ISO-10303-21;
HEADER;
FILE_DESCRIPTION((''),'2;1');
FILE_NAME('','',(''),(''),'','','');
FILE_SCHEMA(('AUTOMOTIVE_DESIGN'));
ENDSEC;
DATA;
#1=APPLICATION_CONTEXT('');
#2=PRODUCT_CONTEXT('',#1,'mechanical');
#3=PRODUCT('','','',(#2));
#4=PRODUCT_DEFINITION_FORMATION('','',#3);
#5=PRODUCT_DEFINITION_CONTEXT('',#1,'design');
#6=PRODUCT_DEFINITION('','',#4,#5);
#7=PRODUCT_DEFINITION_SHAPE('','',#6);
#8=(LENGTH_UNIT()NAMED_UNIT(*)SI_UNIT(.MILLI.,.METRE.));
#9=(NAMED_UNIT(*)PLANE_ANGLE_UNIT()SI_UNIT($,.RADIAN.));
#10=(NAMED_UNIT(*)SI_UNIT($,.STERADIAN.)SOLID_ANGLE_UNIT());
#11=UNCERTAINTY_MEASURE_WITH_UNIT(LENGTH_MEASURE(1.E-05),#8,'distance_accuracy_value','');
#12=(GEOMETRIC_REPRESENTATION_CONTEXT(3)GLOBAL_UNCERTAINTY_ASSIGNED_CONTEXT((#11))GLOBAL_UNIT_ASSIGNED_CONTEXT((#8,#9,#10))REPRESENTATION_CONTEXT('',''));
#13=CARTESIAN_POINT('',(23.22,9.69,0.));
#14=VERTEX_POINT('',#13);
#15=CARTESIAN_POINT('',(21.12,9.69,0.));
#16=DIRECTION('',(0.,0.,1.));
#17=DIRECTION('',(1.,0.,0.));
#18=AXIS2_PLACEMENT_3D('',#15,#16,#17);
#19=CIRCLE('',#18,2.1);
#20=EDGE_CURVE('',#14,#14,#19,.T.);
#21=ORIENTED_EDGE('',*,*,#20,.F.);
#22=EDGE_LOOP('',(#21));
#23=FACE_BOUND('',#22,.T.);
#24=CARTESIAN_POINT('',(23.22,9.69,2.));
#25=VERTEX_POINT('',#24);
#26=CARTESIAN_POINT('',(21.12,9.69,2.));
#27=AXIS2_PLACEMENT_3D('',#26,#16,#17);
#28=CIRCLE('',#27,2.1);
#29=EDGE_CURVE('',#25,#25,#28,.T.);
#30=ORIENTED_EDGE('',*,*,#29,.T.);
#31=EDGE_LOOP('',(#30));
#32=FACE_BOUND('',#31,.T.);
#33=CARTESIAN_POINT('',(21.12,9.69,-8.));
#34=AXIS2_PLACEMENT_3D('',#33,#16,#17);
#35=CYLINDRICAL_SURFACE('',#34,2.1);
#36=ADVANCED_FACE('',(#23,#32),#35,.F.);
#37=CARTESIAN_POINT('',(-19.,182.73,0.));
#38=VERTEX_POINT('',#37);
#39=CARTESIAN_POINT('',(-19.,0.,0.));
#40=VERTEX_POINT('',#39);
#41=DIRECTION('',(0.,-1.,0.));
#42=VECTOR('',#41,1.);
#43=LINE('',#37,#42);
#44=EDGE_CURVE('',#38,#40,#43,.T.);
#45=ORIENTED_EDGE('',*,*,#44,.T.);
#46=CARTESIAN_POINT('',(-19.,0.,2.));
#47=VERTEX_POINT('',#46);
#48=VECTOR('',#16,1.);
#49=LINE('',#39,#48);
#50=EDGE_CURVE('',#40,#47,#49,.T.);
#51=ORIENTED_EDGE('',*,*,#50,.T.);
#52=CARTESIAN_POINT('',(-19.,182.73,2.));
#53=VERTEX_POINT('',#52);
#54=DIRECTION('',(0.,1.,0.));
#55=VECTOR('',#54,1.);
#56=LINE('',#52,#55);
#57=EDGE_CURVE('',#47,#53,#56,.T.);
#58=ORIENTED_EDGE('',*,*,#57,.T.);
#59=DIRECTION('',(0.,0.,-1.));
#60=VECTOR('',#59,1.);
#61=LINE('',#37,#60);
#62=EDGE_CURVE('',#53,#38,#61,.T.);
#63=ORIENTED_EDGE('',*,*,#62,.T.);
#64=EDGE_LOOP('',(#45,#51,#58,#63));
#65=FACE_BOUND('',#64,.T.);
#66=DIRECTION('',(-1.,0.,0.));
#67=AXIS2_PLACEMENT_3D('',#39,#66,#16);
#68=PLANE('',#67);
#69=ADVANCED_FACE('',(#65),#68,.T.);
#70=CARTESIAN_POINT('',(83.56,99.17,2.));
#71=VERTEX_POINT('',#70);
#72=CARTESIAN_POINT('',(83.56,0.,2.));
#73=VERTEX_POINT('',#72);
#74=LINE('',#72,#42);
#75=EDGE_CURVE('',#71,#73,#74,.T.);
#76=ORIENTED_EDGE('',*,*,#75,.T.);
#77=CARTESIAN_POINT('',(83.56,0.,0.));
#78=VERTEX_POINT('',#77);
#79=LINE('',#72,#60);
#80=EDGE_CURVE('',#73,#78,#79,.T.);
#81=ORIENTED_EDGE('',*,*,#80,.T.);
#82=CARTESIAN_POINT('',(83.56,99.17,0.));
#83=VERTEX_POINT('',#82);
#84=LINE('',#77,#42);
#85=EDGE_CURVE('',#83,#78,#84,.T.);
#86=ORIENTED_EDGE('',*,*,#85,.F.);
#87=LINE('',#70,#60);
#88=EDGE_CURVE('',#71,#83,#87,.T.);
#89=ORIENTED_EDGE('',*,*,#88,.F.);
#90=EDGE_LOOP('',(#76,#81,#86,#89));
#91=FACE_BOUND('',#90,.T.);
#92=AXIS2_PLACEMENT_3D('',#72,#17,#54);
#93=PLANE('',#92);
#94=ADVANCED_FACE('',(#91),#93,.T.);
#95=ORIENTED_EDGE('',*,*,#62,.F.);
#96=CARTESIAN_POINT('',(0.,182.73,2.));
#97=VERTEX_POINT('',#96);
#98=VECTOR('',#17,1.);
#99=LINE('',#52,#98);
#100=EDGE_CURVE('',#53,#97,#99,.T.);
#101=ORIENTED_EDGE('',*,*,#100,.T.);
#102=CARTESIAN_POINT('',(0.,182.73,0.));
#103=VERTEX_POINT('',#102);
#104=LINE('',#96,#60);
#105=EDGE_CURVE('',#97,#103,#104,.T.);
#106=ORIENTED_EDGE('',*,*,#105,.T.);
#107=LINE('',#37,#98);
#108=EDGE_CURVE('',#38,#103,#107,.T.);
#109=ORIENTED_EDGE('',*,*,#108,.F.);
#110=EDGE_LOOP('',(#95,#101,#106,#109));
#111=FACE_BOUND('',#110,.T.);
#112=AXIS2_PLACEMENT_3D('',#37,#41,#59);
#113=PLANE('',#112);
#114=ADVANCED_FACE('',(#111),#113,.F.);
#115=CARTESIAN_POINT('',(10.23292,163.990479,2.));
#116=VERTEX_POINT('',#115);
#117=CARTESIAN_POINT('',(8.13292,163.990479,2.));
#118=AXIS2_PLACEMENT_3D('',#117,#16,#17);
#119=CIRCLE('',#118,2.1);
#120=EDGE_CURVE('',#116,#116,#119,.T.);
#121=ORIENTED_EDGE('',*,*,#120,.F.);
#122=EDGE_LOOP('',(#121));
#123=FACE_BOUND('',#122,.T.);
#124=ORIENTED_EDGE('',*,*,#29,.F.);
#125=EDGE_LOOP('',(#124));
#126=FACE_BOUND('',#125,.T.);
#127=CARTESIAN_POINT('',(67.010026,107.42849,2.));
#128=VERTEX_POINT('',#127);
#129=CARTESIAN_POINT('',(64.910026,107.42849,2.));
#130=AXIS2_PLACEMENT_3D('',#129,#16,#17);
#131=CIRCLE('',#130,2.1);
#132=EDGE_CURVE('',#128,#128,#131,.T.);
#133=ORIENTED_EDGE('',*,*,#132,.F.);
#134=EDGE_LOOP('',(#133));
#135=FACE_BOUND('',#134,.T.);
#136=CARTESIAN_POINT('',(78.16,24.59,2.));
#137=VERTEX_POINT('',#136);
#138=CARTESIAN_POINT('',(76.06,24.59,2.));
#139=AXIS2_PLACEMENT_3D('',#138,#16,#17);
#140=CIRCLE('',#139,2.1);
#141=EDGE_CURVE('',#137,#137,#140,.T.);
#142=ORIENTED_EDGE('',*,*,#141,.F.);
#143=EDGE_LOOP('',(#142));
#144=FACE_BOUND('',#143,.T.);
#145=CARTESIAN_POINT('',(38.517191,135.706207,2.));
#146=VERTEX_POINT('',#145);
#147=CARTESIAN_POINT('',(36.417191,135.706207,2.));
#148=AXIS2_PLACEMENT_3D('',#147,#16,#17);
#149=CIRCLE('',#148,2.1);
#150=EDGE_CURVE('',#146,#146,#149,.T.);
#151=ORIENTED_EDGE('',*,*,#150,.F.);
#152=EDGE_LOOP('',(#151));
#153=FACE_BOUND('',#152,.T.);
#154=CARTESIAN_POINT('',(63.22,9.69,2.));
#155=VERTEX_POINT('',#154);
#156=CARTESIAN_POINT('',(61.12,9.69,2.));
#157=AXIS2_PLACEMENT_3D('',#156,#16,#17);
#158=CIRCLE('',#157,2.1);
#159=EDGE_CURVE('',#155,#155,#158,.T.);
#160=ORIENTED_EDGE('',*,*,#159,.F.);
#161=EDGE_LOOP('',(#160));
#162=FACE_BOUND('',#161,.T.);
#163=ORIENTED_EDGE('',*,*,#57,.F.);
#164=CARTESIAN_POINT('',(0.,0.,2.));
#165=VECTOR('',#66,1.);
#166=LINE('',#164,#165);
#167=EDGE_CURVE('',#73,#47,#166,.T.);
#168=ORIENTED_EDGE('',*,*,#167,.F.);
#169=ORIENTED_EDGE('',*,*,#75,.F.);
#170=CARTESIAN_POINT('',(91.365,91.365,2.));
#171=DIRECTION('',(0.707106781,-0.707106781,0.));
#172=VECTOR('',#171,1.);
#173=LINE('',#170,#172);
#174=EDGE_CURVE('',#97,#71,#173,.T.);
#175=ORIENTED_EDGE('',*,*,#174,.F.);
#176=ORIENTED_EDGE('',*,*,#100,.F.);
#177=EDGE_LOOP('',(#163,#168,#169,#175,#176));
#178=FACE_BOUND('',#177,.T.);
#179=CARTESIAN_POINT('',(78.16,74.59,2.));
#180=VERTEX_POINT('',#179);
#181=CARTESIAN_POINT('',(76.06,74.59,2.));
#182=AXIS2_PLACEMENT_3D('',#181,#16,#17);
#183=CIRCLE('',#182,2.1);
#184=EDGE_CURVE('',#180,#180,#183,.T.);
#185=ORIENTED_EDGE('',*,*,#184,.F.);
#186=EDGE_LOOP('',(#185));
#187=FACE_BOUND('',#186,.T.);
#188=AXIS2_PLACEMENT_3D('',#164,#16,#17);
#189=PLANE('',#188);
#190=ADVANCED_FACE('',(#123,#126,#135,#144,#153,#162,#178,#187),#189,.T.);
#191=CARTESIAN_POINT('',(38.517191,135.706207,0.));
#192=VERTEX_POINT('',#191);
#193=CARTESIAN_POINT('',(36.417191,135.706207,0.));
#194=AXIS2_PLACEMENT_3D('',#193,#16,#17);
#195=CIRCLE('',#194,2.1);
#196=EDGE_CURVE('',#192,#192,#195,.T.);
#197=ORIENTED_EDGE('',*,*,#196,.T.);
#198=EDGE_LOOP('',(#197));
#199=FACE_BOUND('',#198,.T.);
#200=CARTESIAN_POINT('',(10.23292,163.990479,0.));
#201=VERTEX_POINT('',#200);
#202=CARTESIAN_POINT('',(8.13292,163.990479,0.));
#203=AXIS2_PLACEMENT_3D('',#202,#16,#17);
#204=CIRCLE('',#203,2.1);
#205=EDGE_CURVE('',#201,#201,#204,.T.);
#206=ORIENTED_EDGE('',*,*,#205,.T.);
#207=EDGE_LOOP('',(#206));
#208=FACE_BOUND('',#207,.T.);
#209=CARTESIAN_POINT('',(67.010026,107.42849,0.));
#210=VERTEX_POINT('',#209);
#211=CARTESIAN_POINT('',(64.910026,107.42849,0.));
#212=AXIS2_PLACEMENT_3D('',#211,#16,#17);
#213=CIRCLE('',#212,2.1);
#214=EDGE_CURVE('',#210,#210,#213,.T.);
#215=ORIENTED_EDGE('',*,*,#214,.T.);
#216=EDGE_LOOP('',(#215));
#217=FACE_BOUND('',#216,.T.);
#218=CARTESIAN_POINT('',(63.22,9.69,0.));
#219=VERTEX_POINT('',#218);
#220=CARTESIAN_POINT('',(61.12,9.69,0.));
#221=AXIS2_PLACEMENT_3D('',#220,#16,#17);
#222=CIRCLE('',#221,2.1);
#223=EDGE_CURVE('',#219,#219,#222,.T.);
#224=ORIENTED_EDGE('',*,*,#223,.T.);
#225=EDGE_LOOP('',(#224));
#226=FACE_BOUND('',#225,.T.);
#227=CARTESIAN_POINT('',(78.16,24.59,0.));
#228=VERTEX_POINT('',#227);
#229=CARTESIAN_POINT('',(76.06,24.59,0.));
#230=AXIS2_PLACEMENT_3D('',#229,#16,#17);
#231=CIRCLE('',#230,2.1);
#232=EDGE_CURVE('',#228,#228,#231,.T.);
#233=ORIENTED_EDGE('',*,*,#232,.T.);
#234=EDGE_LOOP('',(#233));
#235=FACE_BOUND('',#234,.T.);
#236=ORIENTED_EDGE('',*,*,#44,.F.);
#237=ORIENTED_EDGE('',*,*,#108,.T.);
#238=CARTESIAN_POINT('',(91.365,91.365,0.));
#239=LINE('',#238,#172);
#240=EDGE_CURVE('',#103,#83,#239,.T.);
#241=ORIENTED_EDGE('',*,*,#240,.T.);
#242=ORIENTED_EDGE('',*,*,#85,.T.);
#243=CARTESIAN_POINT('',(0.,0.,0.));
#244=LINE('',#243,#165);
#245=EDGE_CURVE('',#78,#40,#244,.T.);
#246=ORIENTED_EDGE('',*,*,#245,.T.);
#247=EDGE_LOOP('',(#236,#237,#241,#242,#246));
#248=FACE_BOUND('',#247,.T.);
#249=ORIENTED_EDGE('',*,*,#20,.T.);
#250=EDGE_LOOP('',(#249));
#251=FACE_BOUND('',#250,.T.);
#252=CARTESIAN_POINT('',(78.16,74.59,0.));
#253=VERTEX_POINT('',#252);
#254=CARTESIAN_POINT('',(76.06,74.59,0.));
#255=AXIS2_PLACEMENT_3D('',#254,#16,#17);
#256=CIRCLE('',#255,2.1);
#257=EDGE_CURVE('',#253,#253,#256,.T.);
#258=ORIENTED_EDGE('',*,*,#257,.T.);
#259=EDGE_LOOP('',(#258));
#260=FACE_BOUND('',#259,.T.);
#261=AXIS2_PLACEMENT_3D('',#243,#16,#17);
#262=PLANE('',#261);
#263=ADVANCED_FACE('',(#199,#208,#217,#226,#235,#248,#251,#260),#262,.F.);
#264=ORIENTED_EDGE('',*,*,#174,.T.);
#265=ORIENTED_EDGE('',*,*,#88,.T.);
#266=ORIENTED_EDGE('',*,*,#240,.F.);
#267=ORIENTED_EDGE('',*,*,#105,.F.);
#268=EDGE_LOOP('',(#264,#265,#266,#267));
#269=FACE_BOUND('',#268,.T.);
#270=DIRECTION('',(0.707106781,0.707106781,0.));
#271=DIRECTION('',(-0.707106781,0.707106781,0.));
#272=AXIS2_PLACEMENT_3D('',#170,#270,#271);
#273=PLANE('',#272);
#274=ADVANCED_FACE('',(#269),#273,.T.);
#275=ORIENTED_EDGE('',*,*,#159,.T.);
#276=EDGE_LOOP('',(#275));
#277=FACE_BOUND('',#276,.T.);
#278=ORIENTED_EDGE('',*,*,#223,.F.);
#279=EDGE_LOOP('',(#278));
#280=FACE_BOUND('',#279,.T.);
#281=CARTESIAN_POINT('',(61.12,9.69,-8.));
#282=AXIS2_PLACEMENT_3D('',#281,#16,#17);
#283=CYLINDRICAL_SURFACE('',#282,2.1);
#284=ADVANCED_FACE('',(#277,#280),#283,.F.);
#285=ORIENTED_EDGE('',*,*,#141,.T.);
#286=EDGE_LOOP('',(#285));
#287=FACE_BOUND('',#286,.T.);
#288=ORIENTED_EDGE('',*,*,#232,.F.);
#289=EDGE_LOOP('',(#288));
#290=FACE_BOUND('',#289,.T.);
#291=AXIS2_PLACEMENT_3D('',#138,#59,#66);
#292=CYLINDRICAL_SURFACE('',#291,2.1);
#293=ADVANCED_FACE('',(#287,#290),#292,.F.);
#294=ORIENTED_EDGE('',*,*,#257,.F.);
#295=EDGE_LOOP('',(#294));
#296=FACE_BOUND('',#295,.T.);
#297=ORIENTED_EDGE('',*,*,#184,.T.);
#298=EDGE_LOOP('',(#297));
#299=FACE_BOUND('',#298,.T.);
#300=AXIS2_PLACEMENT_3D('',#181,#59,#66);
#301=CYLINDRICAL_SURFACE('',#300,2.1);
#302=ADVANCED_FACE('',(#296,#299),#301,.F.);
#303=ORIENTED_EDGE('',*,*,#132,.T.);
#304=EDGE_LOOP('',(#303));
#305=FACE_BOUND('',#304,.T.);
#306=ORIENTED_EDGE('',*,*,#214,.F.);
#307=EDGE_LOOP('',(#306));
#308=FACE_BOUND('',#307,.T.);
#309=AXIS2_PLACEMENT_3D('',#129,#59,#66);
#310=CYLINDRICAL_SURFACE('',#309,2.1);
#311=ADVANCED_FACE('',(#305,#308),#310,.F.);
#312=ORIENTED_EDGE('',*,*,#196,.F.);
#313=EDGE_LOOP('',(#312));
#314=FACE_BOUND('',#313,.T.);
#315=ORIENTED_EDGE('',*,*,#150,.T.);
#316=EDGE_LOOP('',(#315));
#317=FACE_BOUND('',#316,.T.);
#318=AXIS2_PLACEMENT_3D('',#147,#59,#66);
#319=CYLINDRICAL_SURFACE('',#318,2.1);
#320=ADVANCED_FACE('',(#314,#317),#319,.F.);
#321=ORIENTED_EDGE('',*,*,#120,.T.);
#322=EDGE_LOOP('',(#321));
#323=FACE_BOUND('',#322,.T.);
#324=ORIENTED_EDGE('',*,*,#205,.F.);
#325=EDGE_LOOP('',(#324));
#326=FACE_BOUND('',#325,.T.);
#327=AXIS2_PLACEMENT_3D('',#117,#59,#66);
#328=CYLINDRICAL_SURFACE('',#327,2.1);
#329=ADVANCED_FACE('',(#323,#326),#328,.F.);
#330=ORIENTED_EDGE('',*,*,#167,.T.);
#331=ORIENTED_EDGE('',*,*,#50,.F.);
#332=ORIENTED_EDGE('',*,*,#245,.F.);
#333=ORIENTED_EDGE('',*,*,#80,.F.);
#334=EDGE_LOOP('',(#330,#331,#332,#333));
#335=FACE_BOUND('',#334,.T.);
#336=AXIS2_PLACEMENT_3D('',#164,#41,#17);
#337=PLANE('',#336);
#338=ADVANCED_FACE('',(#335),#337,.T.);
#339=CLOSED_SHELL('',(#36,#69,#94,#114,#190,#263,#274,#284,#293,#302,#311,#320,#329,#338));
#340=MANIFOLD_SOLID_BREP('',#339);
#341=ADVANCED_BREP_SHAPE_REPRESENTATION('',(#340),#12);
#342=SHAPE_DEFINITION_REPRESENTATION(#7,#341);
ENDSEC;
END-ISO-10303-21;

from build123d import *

# Parameters (mm, degrees)
SKETCH_1_R          = 2.1
EXTRUDE_1_DEPTH     = 2
SKETCH_2_R          = 2.1
CUT_EXTRUDE_1_DEPTH = 10
SKETCH_3_W          = 2
SKETCH_3_H          = 182.73
EXTRUDE_2_DEPTH     = 19


with BuildPart() as part:
    # ｽｹｯﾁ1 → ﾎﾞｽ - 押し出し1 (new body)
    with BuildSketch(Plane.XY):
        Polygon((0, 0), (0, 182.73), (83.56, 99.17), (83.56, 0), align=None)
        with Locations((8.132919651, 163.990478631)):
            Circle(SKETCH_1_R, mode=Mode.SUBTRACT)
        with Locations((36.417190898, 135.706207384)):
            Circle(SKETCH_1_R, mode=Mode.SUBTRACT)
        with Locations((64.91002614, 107.428490375)):
            Circle(SKETCH_1_R, mode=Mode.SUBTRACT)
        with Locations((76.06, 74.59)):
            Circle(SKETCH_1_R, mode=Mode.SUBTRACT)
        with Locations((76.06, 24.59)):
            Circle(SKETCH_1_R, mode=Mode.SUBTRACT)
    extrude(amount=EXTRUDE_1_DEPTH)

    # ｽｹｯﾁ2 → ｶｯﾄ - 押し出し1 (cut)
    with BuildSketch(Plane.XY.offset(2)):
        with Locations((21.12, 9.69)):
            Circle(SKETCH_2_R)
        with Locations((61.12, 9.69)):
            Circle(SKETCH_2_R)
    extrude(amount=-CUT_EXTRUDE_1_DEPTH, mode=Mode.SUBTRACT)

    # ｽｹｯﾁ3 → ﾎﾞｽ - 押し出し2 (add)
    with BuildSketch(Plane.ZY):
        with Locations((1, 91.365)):
            Rectangle(SKETCH_3_W, SKETCH_3_H)
    extrude(amount=EXTRUDE_2_DEPTH)


solid = part.part
